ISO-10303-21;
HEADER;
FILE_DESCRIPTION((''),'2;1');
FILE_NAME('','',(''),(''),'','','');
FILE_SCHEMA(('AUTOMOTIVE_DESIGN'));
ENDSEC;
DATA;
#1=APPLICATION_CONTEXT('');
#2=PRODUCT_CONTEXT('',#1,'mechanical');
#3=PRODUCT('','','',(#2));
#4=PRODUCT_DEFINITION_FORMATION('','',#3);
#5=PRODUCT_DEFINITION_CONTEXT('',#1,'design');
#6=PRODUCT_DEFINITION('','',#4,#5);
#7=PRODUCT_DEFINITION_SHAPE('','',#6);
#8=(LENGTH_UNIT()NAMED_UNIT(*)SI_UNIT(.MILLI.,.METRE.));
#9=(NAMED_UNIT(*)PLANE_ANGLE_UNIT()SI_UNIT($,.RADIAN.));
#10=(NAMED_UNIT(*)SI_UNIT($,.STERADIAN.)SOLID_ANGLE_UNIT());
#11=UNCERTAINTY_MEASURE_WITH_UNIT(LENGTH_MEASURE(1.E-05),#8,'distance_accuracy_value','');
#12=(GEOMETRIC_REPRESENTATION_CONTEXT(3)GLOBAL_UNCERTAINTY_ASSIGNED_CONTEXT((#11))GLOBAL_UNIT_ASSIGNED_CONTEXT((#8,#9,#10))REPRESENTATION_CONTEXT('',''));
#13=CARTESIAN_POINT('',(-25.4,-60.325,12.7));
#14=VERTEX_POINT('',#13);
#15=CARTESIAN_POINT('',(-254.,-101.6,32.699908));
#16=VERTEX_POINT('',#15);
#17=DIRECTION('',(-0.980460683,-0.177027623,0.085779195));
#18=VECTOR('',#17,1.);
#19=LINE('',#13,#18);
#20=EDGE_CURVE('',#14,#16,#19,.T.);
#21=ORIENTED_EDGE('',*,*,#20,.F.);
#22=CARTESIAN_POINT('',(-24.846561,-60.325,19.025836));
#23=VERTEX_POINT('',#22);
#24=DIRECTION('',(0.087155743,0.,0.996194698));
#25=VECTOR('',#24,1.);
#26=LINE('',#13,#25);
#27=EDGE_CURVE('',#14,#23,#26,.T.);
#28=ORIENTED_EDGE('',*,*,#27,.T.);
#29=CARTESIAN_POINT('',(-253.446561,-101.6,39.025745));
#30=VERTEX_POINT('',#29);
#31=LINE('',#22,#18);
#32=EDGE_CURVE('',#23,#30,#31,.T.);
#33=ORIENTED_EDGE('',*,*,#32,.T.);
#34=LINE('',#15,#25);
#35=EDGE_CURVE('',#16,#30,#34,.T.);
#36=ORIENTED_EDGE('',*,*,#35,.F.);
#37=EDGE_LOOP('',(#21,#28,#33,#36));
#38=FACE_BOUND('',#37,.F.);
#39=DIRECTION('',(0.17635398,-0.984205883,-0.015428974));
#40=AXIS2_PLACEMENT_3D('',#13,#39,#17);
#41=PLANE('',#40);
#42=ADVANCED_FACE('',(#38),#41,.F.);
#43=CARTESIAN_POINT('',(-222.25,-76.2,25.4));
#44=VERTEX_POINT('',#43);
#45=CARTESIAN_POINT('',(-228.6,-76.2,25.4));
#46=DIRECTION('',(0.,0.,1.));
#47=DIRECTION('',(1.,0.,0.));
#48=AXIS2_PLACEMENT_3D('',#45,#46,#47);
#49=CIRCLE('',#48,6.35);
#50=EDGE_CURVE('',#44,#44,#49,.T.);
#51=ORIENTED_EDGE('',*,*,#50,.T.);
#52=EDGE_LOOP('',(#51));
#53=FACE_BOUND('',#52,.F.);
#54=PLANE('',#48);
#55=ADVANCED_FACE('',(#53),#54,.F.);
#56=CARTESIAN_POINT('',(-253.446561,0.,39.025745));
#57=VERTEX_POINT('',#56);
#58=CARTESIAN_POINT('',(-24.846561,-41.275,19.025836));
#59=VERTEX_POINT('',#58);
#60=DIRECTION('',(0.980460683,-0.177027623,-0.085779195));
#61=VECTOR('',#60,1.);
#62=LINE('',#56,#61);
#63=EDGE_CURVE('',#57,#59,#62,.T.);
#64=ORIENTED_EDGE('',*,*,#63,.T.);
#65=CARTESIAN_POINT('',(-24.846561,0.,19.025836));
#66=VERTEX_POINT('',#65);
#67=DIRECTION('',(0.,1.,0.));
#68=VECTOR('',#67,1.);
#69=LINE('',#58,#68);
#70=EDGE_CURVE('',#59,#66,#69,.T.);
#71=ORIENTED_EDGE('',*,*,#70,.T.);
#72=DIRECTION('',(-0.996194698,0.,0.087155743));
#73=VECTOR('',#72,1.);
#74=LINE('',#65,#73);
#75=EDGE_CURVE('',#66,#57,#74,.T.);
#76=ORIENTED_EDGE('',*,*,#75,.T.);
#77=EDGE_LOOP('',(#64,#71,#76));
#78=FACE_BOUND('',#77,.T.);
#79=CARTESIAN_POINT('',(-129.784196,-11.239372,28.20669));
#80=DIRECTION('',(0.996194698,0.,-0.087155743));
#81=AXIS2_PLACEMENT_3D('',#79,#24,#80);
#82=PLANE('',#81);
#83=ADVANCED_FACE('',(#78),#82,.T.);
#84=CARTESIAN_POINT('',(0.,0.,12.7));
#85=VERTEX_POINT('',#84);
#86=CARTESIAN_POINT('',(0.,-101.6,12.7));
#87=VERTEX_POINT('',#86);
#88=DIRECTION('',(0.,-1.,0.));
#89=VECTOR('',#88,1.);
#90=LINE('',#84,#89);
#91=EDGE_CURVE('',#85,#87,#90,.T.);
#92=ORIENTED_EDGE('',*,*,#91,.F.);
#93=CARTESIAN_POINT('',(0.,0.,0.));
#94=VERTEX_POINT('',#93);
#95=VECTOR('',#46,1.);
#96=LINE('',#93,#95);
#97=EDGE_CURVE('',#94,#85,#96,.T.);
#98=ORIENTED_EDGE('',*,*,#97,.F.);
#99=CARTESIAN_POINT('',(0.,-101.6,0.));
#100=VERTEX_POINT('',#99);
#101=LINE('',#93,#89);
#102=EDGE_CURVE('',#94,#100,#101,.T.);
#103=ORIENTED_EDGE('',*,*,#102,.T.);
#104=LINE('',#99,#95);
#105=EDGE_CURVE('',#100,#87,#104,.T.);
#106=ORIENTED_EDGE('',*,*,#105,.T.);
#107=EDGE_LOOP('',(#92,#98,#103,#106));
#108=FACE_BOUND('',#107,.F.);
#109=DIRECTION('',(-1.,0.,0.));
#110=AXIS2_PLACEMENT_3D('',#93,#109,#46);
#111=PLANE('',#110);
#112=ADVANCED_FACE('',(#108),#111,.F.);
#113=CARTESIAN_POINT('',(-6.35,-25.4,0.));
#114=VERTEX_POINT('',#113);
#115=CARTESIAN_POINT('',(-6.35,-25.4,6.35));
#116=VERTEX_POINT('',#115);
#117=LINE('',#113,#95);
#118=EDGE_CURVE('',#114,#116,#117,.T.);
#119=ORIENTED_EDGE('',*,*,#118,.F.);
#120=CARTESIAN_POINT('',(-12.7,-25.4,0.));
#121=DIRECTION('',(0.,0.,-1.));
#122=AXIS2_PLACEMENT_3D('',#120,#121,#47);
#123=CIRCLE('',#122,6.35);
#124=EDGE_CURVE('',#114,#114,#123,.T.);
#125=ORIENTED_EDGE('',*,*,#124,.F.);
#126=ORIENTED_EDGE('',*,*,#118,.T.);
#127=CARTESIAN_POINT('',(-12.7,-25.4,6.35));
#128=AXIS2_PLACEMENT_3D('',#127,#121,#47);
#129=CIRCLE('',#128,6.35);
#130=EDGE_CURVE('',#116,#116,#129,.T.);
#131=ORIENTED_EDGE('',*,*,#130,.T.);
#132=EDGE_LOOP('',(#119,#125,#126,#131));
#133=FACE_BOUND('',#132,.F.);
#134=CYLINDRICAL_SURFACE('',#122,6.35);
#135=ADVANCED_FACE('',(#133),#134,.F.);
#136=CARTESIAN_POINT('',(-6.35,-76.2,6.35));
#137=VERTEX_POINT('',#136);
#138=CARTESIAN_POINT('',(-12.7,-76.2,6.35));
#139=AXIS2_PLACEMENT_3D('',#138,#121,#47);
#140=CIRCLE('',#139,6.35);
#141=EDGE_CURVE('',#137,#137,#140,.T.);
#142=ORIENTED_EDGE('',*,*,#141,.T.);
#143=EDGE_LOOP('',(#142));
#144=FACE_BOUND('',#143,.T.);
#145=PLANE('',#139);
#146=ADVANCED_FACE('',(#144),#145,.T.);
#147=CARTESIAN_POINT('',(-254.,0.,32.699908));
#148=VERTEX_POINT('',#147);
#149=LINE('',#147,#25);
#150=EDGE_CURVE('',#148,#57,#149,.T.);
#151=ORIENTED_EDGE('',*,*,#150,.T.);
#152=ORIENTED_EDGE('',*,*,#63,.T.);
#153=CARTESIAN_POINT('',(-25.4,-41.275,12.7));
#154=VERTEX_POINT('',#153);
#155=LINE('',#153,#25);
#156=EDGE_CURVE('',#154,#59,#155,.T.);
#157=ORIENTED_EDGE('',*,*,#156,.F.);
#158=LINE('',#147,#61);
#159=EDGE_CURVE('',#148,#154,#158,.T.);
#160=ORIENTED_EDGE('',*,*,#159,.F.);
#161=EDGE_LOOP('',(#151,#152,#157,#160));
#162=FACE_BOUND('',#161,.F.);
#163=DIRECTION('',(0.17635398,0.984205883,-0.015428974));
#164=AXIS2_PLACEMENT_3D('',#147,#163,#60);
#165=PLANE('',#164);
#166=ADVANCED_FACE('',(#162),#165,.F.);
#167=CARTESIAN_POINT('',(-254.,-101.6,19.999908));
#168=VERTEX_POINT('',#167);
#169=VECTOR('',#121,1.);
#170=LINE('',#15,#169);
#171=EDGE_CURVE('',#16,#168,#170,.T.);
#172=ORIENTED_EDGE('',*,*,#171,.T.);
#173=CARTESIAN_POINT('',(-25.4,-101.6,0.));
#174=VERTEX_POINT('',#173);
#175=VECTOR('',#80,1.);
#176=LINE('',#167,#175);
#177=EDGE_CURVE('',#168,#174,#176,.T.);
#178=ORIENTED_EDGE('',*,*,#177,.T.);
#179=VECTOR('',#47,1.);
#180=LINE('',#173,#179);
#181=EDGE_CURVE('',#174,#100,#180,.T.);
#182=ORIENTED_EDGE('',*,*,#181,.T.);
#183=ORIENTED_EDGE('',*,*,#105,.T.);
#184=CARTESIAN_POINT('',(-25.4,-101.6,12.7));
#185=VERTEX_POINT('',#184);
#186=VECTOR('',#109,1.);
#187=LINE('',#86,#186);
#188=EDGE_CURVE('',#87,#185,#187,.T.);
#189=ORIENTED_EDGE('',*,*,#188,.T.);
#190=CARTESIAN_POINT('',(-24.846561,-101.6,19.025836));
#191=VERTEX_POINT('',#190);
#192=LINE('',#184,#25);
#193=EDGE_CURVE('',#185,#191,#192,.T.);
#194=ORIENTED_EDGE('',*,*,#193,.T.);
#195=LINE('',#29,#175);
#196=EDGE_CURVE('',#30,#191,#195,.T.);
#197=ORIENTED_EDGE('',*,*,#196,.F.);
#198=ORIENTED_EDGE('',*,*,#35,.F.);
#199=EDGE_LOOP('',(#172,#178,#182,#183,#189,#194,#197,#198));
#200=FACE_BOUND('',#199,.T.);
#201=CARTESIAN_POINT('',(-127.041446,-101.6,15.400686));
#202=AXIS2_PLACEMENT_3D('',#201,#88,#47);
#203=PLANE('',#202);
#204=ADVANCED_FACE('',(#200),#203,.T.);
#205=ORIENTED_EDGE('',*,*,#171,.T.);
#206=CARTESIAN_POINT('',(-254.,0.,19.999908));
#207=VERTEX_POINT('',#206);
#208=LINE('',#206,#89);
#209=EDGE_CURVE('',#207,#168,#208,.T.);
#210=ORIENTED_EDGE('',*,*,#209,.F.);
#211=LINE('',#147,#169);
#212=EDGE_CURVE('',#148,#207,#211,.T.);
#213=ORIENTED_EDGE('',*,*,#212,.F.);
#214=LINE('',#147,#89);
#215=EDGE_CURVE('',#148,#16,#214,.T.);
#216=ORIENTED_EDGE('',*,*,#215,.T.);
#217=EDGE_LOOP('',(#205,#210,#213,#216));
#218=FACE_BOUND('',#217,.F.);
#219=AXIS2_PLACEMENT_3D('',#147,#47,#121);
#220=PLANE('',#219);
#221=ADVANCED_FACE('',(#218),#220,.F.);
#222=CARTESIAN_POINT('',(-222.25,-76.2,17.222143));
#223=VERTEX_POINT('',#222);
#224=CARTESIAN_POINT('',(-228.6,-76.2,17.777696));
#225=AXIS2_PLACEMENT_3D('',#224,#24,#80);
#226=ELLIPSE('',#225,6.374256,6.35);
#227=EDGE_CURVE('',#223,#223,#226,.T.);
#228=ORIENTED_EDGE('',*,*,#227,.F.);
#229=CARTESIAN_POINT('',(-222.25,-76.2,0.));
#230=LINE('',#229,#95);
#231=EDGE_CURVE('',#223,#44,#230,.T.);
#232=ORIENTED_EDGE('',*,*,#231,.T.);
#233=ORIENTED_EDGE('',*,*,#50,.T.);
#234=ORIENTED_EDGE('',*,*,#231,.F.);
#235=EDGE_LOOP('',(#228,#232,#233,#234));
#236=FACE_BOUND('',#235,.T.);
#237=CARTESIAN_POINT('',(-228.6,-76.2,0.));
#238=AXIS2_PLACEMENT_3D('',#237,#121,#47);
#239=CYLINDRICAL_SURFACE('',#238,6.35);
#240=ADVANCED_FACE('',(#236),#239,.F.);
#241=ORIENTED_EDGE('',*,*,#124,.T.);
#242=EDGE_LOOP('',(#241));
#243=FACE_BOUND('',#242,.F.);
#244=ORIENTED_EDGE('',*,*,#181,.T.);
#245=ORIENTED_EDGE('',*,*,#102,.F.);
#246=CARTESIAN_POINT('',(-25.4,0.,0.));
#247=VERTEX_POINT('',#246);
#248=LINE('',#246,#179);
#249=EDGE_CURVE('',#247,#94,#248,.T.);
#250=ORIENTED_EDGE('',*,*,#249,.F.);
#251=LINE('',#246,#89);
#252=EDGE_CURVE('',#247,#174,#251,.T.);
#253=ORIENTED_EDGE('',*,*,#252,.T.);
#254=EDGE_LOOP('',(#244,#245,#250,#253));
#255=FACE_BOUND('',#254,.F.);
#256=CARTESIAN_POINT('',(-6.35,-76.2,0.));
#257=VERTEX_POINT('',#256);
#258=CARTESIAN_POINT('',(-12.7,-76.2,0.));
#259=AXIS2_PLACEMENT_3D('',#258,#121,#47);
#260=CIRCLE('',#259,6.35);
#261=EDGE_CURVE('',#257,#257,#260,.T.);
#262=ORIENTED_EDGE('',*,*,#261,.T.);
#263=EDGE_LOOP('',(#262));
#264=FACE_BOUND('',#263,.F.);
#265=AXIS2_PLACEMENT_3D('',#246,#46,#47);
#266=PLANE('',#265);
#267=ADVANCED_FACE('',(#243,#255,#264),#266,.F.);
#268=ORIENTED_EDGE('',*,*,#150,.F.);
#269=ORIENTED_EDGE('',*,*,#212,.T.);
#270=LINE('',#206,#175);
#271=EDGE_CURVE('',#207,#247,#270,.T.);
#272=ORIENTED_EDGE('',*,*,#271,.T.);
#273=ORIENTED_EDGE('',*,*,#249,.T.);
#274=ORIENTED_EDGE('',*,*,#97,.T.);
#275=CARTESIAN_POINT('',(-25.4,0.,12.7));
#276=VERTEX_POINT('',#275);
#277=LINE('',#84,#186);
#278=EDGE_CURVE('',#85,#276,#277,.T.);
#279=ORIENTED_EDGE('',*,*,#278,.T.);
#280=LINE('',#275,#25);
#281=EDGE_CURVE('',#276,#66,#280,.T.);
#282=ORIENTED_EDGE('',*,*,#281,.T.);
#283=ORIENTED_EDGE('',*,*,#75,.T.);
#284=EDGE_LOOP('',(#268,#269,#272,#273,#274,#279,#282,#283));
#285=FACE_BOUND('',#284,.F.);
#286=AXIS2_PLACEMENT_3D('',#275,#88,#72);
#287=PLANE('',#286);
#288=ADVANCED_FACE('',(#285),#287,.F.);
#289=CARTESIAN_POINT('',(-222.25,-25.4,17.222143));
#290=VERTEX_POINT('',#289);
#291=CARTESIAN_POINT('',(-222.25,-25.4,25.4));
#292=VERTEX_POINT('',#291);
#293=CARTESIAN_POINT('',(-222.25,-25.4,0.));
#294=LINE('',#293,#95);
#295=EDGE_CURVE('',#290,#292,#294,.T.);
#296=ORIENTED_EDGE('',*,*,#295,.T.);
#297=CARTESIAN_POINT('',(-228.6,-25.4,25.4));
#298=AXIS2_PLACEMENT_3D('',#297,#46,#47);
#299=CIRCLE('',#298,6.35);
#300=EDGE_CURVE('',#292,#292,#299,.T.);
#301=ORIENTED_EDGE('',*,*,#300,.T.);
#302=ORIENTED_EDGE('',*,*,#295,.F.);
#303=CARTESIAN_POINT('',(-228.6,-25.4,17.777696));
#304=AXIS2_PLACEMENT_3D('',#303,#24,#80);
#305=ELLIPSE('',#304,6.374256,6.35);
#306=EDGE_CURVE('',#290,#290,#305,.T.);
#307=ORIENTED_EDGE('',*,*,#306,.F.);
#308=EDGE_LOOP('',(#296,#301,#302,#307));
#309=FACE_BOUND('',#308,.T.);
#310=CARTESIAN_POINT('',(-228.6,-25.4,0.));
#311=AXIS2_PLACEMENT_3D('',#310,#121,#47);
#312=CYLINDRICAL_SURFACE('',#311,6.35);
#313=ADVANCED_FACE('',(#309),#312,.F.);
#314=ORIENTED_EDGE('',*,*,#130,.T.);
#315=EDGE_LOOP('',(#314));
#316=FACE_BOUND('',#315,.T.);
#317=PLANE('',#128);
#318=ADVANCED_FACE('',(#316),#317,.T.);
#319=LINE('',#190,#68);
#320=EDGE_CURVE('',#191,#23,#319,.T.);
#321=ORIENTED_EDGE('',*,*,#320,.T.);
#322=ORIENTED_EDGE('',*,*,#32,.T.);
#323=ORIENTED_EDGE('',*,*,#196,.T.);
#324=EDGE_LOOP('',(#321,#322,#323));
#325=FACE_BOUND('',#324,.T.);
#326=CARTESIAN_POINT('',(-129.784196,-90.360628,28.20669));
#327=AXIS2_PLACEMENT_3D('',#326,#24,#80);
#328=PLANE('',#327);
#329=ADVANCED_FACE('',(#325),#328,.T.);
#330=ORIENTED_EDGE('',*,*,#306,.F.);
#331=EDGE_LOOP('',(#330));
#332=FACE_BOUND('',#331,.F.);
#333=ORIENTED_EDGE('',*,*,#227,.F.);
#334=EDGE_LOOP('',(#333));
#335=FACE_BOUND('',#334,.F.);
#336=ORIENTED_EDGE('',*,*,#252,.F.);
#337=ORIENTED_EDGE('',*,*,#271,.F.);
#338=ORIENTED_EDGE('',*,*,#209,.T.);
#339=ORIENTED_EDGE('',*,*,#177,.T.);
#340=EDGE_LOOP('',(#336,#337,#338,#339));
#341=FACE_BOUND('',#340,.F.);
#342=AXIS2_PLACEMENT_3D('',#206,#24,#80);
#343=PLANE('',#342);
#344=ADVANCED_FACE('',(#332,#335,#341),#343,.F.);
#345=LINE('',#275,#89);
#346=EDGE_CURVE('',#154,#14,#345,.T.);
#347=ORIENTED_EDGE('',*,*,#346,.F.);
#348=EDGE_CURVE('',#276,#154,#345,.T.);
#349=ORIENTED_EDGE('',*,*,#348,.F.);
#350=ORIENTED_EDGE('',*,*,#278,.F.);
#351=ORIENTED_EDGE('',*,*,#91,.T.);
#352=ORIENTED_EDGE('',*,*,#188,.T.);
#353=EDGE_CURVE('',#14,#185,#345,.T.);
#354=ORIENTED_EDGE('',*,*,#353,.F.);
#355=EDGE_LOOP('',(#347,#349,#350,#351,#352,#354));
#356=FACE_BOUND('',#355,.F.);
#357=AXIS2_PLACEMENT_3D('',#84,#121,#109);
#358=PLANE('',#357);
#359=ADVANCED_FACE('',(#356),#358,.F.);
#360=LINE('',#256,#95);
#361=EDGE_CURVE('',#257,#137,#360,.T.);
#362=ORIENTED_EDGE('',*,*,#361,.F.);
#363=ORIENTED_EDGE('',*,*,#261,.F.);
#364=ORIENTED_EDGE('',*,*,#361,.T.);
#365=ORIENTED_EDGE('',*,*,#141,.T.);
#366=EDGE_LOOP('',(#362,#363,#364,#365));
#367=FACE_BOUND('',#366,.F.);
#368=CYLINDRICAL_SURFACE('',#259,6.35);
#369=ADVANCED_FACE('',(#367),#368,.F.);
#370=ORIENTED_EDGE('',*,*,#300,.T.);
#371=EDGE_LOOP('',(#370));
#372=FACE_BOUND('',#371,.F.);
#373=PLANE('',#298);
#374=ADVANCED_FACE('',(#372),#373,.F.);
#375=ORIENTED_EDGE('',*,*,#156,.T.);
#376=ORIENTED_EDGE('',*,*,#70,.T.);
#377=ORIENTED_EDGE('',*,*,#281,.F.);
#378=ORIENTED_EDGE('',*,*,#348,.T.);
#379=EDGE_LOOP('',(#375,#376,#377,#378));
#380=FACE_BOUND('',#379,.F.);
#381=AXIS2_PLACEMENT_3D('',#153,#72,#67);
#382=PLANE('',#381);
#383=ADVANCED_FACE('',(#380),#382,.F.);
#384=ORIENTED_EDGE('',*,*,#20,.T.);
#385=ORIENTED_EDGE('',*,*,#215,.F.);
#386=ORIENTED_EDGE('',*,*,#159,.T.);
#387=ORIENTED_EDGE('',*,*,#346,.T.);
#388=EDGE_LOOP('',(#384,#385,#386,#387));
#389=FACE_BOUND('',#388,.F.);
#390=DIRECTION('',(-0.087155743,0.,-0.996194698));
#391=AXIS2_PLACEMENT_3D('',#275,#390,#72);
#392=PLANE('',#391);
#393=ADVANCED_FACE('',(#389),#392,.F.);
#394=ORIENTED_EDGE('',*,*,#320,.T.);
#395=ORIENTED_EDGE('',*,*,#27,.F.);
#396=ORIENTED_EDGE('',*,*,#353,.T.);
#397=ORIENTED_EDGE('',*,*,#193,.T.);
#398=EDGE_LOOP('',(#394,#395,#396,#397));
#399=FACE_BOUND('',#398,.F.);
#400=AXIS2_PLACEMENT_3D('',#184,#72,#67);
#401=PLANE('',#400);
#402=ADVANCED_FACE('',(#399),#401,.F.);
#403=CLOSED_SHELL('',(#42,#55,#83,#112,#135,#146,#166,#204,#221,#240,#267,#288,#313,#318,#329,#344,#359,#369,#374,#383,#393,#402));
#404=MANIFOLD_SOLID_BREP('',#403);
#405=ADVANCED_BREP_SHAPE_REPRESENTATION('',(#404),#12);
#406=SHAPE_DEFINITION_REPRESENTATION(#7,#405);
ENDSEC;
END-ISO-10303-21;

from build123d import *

# Parameters (mm, degrees)
F1_DEPTH = 101.6
F3_DEPTH = 6.35
F4_R     = 6.35
F5_DEPTH = 25.4
F6_R     = 6.35
F7_DEPTH = 6.35


with BuildPart() as f1:
    # F0 (on Front) → F1 (new body)
    with BuildSketch(Plane.XZ):
        Polygon((-25.4, 0), (0, 0), (0, 12.7), (-25.4, 12.7), (-254, 32.699908482), (-254, 19.999908482), align=None)
    extrude(amount=F1_DEPTH)

    # F2 (on face) → F3 (join)
    with BuildSketch(Plane(origin=(0.9097243914, 0, 10.3981973753), x_dir=(0.9961946981, 0, -0.0871557427), z_dir=(0.0871557427, 0, 0.9961946981))):
        Polygon((-26.4102232644, 0), (-255.8834381268, 0), (-26.4102232644, -41.275), align=None)
        Polygon((-26.4102232644, -60.325), (-255.8834381268, -101.6), (-26.4102232644, -101.6), align=None)
    extrude(amount=F3_DEPTH)

    # F4 (on Top) → F5 (cut)
    with BuildSketch(Plane.XY):
        with Locations((-228.6, -25.4)):
            Circle(F4_R)
        with Locations((-228.6, -76.2)):
            Circle(F4_R)
    extrude(amount=F5_DEPTH, mode=Mode.SUBTRACT)

    # F6 (on face) → F7 (cut)
    with BuildSketch(Plane(origin=(0, 0, 0), x_dir=(1, 0, 0), z_dir=(0, 0, -1))):
        with Locations((-12.7, 25.4)):
            Circle(F6_R)
        with Locations((-12.7, 76.2)):
            Circle(F6_R)
    extrude(amount=-F7_DEPTH, mode=Mode.SUBTRACT)


solid = f1.part
